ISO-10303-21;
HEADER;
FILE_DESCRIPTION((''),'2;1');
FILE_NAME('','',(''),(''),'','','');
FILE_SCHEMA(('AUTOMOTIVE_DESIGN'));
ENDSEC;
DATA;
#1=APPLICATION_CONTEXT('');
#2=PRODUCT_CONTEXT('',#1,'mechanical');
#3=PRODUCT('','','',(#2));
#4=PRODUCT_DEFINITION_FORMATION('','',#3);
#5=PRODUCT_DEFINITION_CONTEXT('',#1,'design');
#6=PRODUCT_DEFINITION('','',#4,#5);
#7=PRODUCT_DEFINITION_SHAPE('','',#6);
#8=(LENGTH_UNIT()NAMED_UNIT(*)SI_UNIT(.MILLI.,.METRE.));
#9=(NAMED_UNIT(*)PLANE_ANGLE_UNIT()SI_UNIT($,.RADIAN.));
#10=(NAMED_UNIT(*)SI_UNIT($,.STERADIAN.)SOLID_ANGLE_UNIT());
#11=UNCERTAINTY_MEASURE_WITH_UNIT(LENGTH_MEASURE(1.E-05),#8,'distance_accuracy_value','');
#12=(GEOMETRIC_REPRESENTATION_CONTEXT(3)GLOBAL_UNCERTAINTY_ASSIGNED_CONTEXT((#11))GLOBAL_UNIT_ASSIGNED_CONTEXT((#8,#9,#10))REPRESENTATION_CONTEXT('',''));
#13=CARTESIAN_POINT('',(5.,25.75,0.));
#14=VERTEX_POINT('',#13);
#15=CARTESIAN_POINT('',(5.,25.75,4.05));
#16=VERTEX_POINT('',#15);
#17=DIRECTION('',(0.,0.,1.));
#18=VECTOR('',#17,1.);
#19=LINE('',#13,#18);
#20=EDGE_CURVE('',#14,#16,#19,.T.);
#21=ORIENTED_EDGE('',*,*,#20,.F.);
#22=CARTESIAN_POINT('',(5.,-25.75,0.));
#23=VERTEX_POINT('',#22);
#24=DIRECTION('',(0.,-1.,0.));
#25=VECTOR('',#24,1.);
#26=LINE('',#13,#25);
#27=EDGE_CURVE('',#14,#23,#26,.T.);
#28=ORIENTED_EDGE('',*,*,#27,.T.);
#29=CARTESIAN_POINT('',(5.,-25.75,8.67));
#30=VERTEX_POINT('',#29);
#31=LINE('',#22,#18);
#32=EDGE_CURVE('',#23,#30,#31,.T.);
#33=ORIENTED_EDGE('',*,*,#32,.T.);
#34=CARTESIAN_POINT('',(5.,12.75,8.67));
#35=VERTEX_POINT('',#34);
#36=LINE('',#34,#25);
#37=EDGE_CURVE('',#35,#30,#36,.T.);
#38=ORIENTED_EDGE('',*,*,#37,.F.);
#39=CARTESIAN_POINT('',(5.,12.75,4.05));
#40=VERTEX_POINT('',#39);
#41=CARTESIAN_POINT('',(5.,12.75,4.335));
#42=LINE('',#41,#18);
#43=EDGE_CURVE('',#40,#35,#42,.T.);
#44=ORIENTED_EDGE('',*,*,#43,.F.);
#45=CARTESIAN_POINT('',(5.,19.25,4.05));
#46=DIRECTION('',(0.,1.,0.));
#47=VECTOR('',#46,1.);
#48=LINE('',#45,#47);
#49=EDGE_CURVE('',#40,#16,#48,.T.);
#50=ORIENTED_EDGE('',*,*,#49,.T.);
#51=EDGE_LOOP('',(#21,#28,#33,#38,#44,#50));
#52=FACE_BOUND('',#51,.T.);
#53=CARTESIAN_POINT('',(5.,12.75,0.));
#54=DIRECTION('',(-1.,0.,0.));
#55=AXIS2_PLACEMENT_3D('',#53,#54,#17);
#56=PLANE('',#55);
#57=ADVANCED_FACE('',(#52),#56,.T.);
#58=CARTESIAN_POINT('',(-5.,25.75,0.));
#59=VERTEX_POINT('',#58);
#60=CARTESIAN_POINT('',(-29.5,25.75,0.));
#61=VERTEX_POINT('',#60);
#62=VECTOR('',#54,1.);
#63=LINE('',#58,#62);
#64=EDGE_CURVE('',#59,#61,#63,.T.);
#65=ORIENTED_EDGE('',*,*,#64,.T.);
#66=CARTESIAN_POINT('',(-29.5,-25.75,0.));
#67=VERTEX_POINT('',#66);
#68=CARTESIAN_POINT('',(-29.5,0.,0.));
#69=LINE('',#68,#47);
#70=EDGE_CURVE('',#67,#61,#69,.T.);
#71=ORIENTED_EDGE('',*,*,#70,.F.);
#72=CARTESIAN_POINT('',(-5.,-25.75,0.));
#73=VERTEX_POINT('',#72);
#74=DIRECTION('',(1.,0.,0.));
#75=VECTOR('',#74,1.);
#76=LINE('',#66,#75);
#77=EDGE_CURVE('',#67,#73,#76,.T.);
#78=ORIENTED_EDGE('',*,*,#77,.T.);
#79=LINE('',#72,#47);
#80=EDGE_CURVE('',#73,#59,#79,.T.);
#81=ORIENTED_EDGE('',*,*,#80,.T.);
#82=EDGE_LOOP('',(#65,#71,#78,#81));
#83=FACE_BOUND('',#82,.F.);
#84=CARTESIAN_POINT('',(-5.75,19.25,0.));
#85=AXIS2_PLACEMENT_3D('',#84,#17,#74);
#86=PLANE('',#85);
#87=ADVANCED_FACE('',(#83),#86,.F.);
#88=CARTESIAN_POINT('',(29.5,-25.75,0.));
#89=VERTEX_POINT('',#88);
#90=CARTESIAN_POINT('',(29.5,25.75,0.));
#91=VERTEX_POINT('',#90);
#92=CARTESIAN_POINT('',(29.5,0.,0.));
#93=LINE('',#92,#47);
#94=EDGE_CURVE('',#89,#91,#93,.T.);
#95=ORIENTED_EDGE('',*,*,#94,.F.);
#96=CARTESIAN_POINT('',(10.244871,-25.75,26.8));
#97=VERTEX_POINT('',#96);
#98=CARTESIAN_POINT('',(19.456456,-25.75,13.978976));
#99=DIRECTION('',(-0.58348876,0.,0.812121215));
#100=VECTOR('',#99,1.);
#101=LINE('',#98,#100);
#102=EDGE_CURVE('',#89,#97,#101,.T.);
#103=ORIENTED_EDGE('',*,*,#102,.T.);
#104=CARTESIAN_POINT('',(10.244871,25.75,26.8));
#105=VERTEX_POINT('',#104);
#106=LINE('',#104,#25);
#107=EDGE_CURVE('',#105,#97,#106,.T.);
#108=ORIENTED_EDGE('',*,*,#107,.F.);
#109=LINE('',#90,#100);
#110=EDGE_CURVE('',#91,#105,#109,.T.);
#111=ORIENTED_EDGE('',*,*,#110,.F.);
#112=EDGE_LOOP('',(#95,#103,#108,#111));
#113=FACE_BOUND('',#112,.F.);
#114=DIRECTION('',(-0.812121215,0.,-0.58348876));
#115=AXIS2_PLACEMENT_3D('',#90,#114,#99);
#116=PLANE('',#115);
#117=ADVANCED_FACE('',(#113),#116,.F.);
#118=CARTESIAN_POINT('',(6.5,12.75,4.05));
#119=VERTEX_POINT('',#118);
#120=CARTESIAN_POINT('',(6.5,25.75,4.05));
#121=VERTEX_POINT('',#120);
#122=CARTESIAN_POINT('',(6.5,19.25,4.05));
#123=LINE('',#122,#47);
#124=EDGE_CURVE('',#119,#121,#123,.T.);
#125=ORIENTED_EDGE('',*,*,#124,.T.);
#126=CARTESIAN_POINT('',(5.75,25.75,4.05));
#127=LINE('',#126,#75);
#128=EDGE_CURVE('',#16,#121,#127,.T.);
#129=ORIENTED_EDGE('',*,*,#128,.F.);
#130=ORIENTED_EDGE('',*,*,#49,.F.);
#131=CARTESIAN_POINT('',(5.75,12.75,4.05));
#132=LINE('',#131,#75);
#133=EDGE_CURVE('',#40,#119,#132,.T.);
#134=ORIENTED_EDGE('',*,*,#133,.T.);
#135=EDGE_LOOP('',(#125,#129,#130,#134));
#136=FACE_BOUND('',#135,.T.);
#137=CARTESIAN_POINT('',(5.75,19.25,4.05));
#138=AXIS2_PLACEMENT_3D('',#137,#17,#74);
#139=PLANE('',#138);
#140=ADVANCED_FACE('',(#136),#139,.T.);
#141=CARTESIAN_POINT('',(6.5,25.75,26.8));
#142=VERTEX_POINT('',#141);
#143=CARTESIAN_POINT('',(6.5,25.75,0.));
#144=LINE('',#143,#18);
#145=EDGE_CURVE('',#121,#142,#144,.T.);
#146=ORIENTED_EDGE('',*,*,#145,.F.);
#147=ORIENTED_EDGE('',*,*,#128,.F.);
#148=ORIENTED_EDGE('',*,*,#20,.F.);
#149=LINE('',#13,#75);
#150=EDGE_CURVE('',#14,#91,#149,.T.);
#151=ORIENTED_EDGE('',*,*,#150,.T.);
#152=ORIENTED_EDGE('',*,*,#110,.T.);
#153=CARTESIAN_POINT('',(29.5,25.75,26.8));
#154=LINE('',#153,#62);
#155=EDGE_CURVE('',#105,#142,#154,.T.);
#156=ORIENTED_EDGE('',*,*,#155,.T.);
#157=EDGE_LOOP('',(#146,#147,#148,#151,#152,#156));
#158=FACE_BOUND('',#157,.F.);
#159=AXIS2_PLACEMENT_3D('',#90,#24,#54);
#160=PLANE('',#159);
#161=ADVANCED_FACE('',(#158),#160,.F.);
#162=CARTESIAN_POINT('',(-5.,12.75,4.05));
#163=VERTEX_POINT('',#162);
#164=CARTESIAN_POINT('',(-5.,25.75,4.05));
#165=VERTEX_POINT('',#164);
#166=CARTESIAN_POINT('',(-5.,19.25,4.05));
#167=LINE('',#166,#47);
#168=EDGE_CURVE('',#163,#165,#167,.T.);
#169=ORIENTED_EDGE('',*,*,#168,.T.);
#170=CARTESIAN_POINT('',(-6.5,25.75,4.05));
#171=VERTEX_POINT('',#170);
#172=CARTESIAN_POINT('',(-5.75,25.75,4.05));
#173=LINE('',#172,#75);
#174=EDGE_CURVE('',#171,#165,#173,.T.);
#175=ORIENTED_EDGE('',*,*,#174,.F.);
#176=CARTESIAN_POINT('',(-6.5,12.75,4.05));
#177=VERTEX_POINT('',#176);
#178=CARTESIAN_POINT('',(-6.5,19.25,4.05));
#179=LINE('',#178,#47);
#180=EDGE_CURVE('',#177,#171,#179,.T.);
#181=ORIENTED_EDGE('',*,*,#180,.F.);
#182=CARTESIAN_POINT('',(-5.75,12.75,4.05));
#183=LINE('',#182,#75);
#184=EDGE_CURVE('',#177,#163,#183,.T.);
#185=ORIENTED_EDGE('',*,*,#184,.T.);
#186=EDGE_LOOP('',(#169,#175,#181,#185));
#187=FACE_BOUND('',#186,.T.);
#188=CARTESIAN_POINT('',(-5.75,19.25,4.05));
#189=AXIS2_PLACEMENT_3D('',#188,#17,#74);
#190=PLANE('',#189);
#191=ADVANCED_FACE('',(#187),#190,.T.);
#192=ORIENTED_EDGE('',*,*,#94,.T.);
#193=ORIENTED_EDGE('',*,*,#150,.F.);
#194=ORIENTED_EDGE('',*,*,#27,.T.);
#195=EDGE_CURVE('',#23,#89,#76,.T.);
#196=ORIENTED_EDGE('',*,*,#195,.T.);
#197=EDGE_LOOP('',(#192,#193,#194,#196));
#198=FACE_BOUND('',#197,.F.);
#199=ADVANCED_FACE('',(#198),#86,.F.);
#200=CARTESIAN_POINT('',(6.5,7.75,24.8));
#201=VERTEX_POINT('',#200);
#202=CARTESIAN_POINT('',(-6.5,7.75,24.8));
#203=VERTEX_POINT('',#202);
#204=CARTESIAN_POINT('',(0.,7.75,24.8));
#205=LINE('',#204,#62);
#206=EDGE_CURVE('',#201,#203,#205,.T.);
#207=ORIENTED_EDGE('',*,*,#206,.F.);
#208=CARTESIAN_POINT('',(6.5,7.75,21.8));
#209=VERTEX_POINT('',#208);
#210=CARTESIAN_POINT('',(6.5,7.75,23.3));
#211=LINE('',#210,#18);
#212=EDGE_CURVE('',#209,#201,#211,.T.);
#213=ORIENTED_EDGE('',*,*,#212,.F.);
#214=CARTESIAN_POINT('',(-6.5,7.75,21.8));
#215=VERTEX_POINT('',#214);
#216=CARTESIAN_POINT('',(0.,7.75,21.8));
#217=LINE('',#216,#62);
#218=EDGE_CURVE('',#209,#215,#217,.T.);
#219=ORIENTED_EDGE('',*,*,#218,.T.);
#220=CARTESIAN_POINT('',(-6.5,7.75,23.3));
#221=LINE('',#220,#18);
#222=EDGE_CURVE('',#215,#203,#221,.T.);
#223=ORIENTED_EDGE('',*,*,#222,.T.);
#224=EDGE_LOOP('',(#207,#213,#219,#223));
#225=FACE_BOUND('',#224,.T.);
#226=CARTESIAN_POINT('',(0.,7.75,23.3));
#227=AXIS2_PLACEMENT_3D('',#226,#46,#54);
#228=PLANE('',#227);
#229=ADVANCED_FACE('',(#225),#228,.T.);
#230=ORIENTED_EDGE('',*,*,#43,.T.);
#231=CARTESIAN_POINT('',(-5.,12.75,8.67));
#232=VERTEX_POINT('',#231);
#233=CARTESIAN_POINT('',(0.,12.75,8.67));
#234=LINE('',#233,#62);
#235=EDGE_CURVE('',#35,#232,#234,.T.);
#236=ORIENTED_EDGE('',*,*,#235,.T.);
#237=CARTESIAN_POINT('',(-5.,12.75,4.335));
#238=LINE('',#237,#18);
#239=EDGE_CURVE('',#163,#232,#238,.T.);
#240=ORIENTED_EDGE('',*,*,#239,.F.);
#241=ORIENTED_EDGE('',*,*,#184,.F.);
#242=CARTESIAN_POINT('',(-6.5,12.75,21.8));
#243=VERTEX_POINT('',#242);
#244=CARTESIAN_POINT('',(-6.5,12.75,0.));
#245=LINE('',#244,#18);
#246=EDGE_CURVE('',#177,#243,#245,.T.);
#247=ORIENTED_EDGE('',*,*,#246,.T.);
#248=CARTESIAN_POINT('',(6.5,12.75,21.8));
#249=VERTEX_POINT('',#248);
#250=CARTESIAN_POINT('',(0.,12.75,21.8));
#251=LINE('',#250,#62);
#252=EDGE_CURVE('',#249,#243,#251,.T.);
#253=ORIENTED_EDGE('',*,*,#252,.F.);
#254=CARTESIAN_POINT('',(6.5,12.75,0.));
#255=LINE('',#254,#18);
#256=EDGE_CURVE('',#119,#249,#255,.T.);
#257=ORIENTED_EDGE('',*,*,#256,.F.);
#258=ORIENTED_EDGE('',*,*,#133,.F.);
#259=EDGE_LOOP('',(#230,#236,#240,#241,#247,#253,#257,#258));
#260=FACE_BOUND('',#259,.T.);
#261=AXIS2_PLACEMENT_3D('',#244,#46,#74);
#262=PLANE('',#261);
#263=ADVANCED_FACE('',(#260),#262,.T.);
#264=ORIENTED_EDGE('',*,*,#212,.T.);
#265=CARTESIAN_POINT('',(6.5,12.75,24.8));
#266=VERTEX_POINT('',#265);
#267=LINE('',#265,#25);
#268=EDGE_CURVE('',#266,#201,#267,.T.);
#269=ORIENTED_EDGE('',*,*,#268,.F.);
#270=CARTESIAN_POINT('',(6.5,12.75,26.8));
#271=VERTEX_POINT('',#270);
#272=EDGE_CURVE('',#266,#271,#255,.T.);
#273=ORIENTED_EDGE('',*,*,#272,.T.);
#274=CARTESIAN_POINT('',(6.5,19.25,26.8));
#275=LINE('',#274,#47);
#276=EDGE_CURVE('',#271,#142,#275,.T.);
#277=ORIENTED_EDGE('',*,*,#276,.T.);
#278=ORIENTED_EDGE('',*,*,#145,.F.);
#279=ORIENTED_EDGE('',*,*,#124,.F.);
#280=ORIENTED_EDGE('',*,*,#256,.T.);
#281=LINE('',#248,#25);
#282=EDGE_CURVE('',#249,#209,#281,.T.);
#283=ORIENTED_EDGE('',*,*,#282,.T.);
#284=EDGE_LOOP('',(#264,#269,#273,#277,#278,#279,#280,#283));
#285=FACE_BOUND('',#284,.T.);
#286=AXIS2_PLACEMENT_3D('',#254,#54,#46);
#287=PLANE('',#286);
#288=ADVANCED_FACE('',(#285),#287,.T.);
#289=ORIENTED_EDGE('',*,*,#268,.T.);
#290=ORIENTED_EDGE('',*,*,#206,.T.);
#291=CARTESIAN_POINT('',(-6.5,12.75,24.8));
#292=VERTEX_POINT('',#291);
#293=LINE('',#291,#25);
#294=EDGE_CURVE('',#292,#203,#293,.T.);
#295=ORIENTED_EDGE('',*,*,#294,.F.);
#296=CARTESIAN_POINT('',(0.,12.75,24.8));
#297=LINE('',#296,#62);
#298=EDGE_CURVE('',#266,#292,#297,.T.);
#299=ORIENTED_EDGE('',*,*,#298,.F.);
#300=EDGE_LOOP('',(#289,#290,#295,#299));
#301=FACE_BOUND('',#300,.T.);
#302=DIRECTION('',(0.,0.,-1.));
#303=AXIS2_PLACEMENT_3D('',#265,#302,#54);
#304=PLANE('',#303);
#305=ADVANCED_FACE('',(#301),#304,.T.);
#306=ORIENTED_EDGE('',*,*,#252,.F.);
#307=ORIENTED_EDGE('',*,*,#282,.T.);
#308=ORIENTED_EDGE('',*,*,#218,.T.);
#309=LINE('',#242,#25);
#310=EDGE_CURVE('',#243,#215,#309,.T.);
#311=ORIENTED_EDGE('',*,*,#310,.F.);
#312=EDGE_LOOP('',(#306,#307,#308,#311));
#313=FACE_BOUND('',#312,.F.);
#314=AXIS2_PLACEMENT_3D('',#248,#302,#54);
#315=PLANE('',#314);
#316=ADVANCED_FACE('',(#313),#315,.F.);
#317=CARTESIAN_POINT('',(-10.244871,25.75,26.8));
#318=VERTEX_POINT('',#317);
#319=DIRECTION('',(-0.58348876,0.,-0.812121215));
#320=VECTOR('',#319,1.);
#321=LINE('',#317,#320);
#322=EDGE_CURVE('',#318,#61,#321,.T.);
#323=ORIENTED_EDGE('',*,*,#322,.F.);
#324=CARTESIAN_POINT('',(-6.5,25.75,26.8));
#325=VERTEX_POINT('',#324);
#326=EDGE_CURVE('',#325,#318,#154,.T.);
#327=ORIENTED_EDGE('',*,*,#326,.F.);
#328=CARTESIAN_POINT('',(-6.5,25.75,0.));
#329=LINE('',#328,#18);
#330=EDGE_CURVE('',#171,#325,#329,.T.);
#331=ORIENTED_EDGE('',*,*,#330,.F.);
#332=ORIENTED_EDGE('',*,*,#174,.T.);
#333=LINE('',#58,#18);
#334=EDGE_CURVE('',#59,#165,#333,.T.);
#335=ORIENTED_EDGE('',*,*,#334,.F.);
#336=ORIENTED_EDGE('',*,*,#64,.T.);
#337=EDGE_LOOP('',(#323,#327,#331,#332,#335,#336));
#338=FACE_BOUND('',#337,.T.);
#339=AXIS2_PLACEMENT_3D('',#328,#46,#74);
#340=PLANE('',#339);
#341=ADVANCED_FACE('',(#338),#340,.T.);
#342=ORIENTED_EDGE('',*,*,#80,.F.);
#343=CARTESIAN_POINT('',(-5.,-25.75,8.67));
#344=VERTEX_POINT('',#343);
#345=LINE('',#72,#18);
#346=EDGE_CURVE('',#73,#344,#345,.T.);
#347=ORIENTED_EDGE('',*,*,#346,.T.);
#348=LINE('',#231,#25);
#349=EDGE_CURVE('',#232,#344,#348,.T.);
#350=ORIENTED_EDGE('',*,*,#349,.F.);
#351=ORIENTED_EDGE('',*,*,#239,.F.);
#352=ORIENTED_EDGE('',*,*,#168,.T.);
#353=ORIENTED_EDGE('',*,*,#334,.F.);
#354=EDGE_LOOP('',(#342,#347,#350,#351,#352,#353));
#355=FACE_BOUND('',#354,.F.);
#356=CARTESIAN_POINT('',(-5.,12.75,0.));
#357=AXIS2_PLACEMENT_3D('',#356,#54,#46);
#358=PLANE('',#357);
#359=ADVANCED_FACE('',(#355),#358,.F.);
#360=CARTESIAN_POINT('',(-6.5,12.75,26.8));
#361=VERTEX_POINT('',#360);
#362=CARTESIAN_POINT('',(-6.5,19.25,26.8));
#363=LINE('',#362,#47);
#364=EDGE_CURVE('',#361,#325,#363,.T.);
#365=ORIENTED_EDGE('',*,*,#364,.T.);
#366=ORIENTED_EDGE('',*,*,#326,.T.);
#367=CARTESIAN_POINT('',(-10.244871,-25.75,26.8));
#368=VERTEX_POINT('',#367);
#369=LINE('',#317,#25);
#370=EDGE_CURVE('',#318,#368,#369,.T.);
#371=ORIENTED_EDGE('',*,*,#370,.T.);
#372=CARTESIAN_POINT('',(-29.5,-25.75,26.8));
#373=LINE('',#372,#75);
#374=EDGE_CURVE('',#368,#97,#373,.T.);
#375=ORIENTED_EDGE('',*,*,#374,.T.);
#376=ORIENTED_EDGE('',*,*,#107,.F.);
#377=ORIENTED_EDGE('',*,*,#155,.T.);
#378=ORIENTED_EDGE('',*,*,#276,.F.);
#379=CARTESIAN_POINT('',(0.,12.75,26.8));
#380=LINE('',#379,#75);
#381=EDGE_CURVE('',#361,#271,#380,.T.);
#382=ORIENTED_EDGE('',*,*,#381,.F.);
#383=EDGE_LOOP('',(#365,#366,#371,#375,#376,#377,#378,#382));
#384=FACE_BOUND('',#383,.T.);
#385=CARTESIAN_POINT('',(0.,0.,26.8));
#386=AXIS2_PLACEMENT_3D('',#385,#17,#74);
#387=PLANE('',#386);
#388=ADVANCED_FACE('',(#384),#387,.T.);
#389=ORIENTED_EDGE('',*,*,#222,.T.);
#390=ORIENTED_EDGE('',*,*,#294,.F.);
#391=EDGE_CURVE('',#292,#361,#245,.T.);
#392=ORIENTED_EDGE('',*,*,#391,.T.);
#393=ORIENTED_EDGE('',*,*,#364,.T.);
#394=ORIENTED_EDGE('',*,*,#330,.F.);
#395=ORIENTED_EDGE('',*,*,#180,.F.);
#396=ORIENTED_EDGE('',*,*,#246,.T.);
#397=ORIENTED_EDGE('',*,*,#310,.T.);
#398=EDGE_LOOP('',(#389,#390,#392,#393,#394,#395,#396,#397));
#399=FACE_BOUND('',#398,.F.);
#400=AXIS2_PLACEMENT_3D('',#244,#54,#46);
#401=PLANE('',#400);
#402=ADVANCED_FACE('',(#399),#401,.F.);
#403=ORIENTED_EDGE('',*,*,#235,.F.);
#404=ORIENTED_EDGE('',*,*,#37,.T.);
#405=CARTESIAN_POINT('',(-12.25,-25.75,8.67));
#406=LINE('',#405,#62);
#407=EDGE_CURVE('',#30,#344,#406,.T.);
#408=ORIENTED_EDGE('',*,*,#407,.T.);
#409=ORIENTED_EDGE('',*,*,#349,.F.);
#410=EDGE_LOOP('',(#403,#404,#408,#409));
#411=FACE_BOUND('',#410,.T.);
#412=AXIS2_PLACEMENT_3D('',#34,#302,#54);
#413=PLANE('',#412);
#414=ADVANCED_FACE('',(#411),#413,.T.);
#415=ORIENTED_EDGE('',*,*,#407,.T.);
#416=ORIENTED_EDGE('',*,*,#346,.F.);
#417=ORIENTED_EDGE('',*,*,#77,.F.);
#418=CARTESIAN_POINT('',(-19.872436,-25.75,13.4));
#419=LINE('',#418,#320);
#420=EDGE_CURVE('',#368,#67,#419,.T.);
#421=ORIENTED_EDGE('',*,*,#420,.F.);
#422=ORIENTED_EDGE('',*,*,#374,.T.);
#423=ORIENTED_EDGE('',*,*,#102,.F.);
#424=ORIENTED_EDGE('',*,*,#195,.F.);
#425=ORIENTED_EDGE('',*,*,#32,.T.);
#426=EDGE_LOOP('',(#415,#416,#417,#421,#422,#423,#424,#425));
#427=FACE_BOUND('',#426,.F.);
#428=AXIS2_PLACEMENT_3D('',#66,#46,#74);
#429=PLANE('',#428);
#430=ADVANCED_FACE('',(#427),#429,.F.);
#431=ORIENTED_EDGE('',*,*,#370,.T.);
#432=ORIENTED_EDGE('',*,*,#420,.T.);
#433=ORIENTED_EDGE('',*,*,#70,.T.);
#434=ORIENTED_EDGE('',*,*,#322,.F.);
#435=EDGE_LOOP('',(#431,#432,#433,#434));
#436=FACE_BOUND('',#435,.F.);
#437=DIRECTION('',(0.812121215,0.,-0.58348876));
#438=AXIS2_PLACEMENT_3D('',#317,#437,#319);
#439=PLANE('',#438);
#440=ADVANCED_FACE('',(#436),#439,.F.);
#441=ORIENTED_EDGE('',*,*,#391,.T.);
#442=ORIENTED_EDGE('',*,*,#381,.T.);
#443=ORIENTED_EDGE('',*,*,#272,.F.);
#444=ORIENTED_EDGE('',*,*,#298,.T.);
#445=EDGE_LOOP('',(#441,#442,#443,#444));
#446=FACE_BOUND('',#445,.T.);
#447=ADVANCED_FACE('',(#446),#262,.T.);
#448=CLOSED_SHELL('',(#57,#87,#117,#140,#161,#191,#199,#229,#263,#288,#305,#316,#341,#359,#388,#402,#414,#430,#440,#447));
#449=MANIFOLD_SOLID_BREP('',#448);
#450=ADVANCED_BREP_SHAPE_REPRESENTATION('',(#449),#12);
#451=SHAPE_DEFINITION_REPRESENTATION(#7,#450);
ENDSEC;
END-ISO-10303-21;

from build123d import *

# Parameters (mm, degrees)
F0_W      = 20.5
F0_H      = 51.5
F0_W_2    = 19.25
F1_DEPTH  = 26.8
F2_W      = 13
F2_H      = 13
F3_DEPTH  = 26.8
F4_W      = 1.5
F4_H      = 13
F5_DEPTH  = 4.05
F7_DEPTH  = 51.501
F8_W      = 10
F8_H      = 8.67
F9_DEPTH  = 38.501
F10_W     = 13
F10_H     = 3
F11_DEPTH = 5


with BuildPart() as f1:
    # F0 (on Top) → F1 (new body)
    with BuildSketch(Plane.XY):
        Rectangle(F0_W, F0_H)
        with Locations((-19.875, 0)):
            Rectangle(F0_W_2, F0_H)
        with Locations((19.875, 0)):
            Rectangle(F0_W_2, F0_H)
    extrude(amount=F1_DEPTH)

    # F2 (on Top) → F3 (cut)
    with BuildSketch(Plane.XY):
        with Locations((0, 19.25)):
            Rectangle(F2_W, F2_H)
    extrude(amount=F3_DEPTH, mode=Mode.SUBTRACT)

    # F4 (on face) → F5 (join)
    with BuildSketch(Plane.XY):
        with Locations((-5.75, 19.25)):
            Rectangle(F4_W, F4_H)
        with Locations((5.75, 19.25)):
            Rectangle(F4_W, F4_H)
    extrude(amount=F5_DEPTH)

    # F6 (on face) → F7 (cut, through all)
    with BuildSketch(Plane(origin=(0, 25.75, 0), x_dir=(-1, 0, 0), z_dir=(0, 1, 0))):
        Polygon((10.244871, 26.8), (29.5, 0), (29.5, 26.8), align=None)
        Polygon((-29.5, 0), (-10.244871, 26.8), (-29.5, 26.8), align=None)
    extrude(amount=-F7_DEPTH, mode=Mode.SUBTRACT)

    # F8 (on face) → F9 (cut, through all)
    with BuildSketch(Plane(origin=(0, 12.75, 0), x_dir=(-1, 0, 0), z_dir=(0, 1, 0))):
        with Locations((0, 4.335)):
            Rectangle(F8_W, F8_H)
    extrude(amount=-F9_DEPTH, mode=Mode.SUBTRACT)

    # F10 (on face) → F11 (cut)
    with BuildSketch(Plane(origin=(0, 12.75, 0), x_dir=(-1, 0, 0), z_dir=(0, 1, 0))):
        with Locations((0, 23.3)):
            Rectangle(F10_W, F10_H)
    extrude(amount=-F11_DEPTH, mode=Mode.SUBTRACT)


solid = f1.part
